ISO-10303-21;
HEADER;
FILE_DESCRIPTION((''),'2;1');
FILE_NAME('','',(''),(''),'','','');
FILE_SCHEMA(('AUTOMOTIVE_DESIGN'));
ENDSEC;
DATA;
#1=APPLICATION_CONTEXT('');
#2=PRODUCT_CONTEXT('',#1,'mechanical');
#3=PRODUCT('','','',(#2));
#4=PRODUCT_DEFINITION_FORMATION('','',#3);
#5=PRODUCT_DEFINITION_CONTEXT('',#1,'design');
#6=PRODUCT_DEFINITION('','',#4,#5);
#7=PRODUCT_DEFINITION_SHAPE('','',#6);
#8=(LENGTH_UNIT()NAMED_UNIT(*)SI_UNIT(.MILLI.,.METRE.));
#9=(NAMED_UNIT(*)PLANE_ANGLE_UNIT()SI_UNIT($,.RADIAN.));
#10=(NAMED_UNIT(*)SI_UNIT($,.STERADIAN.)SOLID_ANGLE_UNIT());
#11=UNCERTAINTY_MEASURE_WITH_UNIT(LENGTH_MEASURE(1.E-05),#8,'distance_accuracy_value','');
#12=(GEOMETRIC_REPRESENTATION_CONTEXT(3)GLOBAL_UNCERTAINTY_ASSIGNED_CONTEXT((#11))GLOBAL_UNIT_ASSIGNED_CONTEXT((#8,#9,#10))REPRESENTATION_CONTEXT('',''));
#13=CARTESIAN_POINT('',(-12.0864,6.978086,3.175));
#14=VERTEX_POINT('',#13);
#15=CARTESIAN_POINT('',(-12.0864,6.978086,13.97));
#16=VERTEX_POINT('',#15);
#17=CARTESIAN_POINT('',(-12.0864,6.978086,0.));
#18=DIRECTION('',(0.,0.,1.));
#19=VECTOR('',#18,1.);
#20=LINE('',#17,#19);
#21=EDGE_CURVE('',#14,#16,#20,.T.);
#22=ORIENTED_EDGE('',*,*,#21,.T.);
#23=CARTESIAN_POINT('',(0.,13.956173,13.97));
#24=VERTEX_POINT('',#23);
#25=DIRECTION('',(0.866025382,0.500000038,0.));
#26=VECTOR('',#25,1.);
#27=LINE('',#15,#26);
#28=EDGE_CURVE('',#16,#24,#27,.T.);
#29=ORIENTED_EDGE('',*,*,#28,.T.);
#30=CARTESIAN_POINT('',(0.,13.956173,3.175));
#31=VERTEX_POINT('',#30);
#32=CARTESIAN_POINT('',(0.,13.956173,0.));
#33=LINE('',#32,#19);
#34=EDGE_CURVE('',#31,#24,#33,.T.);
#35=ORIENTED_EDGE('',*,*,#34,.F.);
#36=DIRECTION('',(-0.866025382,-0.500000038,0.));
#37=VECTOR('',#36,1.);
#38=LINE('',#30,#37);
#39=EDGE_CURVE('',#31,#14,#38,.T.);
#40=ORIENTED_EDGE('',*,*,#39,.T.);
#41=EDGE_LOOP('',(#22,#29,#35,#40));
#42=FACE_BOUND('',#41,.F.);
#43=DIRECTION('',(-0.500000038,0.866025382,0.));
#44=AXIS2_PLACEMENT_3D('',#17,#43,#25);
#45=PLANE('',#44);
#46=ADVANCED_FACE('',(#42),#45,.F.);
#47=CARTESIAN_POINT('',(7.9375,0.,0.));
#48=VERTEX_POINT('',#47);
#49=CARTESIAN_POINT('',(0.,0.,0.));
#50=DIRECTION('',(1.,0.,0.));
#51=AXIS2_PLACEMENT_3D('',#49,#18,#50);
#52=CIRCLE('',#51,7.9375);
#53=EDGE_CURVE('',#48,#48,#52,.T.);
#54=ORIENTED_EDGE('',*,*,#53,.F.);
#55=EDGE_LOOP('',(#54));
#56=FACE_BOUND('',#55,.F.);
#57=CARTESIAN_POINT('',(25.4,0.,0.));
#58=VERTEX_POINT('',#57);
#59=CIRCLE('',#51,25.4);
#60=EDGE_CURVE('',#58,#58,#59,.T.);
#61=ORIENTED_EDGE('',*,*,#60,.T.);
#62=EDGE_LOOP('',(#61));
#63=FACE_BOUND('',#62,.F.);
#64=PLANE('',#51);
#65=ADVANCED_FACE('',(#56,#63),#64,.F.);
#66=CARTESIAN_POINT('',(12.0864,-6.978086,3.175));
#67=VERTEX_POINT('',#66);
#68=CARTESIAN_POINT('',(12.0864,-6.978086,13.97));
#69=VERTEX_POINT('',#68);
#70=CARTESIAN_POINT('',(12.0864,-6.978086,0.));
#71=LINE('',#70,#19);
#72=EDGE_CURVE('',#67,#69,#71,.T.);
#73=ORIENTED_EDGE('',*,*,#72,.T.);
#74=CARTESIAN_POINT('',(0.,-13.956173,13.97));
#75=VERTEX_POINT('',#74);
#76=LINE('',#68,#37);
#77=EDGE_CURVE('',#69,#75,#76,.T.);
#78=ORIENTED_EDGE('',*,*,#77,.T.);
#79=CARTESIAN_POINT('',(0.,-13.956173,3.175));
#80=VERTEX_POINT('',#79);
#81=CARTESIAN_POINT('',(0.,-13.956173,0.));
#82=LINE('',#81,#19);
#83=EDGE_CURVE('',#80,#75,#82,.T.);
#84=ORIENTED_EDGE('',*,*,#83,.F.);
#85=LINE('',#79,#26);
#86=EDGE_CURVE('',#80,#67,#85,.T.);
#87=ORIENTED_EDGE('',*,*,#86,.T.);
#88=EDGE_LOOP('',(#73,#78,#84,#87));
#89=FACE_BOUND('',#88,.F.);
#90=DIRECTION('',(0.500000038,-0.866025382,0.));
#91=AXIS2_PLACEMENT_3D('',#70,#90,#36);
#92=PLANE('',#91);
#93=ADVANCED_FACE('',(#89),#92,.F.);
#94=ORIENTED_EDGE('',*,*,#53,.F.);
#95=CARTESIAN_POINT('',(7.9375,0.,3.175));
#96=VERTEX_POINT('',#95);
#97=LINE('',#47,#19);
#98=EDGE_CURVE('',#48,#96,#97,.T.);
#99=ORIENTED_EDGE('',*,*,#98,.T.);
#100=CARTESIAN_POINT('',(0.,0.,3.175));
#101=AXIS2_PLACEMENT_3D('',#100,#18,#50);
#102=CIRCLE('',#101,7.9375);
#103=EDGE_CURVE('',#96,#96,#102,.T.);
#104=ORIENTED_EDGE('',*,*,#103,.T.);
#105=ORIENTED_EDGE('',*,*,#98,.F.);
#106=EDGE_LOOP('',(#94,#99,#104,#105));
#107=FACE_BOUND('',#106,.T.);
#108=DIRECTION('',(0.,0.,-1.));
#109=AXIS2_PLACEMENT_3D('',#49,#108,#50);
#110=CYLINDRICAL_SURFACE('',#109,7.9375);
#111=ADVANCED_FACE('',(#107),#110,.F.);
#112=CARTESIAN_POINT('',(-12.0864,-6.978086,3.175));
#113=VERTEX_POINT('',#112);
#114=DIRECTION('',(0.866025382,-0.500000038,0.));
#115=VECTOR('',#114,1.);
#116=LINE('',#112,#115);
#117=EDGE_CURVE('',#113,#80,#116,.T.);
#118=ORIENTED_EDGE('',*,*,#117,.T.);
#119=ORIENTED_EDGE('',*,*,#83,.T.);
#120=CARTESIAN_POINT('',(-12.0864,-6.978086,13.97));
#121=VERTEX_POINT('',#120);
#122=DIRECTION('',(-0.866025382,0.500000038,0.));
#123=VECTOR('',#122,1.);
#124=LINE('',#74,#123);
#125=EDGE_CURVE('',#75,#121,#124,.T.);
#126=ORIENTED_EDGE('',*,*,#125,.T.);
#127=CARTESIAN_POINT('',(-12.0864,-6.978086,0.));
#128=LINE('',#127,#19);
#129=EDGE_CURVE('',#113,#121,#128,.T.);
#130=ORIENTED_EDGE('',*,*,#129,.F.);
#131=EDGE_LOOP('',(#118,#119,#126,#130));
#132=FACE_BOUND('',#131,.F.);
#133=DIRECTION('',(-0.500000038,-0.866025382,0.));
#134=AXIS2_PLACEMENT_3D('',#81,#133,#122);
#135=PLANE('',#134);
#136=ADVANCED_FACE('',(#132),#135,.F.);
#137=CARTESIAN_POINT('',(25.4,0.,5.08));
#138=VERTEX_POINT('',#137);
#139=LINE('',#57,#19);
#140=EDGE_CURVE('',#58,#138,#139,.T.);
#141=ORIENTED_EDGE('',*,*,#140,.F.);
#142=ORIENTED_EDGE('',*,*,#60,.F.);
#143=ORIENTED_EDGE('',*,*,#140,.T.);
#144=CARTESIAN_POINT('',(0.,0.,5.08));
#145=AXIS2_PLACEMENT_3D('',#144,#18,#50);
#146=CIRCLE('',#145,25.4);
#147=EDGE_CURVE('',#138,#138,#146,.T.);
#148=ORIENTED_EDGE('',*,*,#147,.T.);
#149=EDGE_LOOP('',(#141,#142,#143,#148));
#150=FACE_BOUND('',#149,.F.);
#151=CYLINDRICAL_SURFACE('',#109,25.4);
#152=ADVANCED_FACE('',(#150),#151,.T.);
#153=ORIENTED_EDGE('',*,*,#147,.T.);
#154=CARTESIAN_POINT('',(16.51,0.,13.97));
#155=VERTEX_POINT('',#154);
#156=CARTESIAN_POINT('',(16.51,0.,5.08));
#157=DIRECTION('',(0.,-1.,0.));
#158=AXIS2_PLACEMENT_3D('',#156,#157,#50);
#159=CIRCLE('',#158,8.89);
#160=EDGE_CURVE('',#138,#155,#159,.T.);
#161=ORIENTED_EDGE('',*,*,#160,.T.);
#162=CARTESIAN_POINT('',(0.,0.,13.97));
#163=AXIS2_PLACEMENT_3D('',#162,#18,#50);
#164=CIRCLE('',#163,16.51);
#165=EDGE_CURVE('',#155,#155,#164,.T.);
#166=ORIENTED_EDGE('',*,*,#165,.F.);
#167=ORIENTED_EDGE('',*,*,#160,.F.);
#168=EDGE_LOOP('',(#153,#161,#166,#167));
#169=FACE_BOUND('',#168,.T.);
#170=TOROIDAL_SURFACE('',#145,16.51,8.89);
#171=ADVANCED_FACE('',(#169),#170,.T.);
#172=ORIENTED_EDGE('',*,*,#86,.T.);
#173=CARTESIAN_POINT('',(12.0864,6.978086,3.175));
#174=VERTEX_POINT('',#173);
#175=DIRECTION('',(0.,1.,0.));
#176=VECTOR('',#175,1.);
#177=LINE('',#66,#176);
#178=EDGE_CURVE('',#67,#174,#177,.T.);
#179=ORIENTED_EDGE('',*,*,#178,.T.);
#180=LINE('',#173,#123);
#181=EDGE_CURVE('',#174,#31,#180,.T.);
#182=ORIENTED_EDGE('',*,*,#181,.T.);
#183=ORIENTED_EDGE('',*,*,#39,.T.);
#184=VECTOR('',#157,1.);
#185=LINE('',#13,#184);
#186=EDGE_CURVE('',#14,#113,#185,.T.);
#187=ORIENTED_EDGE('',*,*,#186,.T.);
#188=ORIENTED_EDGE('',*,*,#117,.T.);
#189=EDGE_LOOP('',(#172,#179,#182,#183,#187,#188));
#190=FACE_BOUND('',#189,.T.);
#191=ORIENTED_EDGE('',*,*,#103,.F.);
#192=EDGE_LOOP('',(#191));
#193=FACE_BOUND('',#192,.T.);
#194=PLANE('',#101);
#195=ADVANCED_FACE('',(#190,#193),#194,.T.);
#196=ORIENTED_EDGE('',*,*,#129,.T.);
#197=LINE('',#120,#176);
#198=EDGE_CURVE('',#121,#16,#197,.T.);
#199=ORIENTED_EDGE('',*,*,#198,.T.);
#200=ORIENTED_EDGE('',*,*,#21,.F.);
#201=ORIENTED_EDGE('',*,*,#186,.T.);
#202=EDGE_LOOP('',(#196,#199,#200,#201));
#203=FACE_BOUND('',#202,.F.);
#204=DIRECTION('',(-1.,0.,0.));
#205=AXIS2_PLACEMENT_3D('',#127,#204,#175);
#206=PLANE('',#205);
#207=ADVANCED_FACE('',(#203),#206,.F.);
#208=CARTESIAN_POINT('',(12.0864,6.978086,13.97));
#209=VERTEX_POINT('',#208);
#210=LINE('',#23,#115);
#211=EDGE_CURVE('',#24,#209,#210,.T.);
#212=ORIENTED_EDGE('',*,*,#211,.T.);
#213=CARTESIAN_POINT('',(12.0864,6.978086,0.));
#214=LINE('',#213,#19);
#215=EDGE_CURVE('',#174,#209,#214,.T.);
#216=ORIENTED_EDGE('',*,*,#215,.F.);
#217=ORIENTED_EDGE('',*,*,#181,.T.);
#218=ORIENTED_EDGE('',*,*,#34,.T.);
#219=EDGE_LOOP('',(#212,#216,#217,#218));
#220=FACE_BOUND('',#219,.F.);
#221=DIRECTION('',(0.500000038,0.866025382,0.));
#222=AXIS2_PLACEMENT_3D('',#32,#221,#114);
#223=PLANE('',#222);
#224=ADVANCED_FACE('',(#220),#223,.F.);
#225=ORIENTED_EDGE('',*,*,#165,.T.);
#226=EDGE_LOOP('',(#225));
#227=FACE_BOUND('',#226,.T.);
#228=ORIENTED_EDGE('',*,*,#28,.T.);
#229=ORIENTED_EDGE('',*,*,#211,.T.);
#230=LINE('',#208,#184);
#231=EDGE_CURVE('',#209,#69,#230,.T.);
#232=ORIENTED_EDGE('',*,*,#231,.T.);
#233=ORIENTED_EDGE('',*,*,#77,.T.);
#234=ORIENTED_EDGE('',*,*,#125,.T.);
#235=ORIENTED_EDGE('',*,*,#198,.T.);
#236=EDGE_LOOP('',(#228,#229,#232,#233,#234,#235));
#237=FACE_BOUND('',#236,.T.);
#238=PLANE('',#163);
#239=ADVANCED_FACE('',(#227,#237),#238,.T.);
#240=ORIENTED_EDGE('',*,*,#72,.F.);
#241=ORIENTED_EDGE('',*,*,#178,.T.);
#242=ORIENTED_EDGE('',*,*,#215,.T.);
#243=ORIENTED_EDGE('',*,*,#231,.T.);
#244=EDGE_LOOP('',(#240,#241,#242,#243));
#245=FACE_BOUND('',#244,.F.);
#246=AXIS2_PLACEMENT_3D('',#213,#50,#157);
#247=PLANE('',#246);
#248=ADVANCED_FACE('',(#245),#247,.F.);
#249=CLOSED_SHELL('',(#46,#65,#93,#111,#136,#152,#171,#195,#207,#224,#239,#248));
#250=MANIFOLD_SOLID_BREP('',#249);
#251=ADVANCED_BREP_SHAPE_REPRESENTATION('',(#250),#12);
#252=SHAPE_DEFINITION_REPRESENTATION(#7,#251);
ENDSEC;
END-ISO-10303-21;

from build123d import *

# Parameters (mm, degrees)
F0_R     = 25.4
F1_DEPTH = 13.97
F0_R_2   = 7.9375
F2_DEPTH = 3.175
F3_R     = 8.89


with BuildPart() as f1:
    # F0 (on Top) → F1 (new body)
    with BuildSketch(Plane.XY):
        Circle(F0_R)
        Polygon((0, 13.956173), (12.0864, 6.978086), (12.0864, -6.978086), (0, -13.956173), (-12.0864, -6.978086), (-12.0864, 6.978086), align=None, mode=Mode.SUBTRACT)
    extrude(amount=F1_DEPTH)

    # F0 (on Top) → F2 (join)
    with BuildSketch(Plane.XY):
        Polygon((12.0864, -6.978086), (12.0864, 6.978086), (0, 13.956173), (-12.0864, 6.978086), (-12.0864, -6.978086), (0, -13.956173), align=None)
        Circle(F0_R_2, mode=Mode.SUBTRACT)
    extrude(amount=F2_DEPTH)

    # F3
    f3_edges = [f1.edges().sort_by_distance(p)[0] for p in [
        (-25.4, 0, 13.97),
    ]]
    fillet(f3_edges, radius=F3_R)


solid = f1.part
